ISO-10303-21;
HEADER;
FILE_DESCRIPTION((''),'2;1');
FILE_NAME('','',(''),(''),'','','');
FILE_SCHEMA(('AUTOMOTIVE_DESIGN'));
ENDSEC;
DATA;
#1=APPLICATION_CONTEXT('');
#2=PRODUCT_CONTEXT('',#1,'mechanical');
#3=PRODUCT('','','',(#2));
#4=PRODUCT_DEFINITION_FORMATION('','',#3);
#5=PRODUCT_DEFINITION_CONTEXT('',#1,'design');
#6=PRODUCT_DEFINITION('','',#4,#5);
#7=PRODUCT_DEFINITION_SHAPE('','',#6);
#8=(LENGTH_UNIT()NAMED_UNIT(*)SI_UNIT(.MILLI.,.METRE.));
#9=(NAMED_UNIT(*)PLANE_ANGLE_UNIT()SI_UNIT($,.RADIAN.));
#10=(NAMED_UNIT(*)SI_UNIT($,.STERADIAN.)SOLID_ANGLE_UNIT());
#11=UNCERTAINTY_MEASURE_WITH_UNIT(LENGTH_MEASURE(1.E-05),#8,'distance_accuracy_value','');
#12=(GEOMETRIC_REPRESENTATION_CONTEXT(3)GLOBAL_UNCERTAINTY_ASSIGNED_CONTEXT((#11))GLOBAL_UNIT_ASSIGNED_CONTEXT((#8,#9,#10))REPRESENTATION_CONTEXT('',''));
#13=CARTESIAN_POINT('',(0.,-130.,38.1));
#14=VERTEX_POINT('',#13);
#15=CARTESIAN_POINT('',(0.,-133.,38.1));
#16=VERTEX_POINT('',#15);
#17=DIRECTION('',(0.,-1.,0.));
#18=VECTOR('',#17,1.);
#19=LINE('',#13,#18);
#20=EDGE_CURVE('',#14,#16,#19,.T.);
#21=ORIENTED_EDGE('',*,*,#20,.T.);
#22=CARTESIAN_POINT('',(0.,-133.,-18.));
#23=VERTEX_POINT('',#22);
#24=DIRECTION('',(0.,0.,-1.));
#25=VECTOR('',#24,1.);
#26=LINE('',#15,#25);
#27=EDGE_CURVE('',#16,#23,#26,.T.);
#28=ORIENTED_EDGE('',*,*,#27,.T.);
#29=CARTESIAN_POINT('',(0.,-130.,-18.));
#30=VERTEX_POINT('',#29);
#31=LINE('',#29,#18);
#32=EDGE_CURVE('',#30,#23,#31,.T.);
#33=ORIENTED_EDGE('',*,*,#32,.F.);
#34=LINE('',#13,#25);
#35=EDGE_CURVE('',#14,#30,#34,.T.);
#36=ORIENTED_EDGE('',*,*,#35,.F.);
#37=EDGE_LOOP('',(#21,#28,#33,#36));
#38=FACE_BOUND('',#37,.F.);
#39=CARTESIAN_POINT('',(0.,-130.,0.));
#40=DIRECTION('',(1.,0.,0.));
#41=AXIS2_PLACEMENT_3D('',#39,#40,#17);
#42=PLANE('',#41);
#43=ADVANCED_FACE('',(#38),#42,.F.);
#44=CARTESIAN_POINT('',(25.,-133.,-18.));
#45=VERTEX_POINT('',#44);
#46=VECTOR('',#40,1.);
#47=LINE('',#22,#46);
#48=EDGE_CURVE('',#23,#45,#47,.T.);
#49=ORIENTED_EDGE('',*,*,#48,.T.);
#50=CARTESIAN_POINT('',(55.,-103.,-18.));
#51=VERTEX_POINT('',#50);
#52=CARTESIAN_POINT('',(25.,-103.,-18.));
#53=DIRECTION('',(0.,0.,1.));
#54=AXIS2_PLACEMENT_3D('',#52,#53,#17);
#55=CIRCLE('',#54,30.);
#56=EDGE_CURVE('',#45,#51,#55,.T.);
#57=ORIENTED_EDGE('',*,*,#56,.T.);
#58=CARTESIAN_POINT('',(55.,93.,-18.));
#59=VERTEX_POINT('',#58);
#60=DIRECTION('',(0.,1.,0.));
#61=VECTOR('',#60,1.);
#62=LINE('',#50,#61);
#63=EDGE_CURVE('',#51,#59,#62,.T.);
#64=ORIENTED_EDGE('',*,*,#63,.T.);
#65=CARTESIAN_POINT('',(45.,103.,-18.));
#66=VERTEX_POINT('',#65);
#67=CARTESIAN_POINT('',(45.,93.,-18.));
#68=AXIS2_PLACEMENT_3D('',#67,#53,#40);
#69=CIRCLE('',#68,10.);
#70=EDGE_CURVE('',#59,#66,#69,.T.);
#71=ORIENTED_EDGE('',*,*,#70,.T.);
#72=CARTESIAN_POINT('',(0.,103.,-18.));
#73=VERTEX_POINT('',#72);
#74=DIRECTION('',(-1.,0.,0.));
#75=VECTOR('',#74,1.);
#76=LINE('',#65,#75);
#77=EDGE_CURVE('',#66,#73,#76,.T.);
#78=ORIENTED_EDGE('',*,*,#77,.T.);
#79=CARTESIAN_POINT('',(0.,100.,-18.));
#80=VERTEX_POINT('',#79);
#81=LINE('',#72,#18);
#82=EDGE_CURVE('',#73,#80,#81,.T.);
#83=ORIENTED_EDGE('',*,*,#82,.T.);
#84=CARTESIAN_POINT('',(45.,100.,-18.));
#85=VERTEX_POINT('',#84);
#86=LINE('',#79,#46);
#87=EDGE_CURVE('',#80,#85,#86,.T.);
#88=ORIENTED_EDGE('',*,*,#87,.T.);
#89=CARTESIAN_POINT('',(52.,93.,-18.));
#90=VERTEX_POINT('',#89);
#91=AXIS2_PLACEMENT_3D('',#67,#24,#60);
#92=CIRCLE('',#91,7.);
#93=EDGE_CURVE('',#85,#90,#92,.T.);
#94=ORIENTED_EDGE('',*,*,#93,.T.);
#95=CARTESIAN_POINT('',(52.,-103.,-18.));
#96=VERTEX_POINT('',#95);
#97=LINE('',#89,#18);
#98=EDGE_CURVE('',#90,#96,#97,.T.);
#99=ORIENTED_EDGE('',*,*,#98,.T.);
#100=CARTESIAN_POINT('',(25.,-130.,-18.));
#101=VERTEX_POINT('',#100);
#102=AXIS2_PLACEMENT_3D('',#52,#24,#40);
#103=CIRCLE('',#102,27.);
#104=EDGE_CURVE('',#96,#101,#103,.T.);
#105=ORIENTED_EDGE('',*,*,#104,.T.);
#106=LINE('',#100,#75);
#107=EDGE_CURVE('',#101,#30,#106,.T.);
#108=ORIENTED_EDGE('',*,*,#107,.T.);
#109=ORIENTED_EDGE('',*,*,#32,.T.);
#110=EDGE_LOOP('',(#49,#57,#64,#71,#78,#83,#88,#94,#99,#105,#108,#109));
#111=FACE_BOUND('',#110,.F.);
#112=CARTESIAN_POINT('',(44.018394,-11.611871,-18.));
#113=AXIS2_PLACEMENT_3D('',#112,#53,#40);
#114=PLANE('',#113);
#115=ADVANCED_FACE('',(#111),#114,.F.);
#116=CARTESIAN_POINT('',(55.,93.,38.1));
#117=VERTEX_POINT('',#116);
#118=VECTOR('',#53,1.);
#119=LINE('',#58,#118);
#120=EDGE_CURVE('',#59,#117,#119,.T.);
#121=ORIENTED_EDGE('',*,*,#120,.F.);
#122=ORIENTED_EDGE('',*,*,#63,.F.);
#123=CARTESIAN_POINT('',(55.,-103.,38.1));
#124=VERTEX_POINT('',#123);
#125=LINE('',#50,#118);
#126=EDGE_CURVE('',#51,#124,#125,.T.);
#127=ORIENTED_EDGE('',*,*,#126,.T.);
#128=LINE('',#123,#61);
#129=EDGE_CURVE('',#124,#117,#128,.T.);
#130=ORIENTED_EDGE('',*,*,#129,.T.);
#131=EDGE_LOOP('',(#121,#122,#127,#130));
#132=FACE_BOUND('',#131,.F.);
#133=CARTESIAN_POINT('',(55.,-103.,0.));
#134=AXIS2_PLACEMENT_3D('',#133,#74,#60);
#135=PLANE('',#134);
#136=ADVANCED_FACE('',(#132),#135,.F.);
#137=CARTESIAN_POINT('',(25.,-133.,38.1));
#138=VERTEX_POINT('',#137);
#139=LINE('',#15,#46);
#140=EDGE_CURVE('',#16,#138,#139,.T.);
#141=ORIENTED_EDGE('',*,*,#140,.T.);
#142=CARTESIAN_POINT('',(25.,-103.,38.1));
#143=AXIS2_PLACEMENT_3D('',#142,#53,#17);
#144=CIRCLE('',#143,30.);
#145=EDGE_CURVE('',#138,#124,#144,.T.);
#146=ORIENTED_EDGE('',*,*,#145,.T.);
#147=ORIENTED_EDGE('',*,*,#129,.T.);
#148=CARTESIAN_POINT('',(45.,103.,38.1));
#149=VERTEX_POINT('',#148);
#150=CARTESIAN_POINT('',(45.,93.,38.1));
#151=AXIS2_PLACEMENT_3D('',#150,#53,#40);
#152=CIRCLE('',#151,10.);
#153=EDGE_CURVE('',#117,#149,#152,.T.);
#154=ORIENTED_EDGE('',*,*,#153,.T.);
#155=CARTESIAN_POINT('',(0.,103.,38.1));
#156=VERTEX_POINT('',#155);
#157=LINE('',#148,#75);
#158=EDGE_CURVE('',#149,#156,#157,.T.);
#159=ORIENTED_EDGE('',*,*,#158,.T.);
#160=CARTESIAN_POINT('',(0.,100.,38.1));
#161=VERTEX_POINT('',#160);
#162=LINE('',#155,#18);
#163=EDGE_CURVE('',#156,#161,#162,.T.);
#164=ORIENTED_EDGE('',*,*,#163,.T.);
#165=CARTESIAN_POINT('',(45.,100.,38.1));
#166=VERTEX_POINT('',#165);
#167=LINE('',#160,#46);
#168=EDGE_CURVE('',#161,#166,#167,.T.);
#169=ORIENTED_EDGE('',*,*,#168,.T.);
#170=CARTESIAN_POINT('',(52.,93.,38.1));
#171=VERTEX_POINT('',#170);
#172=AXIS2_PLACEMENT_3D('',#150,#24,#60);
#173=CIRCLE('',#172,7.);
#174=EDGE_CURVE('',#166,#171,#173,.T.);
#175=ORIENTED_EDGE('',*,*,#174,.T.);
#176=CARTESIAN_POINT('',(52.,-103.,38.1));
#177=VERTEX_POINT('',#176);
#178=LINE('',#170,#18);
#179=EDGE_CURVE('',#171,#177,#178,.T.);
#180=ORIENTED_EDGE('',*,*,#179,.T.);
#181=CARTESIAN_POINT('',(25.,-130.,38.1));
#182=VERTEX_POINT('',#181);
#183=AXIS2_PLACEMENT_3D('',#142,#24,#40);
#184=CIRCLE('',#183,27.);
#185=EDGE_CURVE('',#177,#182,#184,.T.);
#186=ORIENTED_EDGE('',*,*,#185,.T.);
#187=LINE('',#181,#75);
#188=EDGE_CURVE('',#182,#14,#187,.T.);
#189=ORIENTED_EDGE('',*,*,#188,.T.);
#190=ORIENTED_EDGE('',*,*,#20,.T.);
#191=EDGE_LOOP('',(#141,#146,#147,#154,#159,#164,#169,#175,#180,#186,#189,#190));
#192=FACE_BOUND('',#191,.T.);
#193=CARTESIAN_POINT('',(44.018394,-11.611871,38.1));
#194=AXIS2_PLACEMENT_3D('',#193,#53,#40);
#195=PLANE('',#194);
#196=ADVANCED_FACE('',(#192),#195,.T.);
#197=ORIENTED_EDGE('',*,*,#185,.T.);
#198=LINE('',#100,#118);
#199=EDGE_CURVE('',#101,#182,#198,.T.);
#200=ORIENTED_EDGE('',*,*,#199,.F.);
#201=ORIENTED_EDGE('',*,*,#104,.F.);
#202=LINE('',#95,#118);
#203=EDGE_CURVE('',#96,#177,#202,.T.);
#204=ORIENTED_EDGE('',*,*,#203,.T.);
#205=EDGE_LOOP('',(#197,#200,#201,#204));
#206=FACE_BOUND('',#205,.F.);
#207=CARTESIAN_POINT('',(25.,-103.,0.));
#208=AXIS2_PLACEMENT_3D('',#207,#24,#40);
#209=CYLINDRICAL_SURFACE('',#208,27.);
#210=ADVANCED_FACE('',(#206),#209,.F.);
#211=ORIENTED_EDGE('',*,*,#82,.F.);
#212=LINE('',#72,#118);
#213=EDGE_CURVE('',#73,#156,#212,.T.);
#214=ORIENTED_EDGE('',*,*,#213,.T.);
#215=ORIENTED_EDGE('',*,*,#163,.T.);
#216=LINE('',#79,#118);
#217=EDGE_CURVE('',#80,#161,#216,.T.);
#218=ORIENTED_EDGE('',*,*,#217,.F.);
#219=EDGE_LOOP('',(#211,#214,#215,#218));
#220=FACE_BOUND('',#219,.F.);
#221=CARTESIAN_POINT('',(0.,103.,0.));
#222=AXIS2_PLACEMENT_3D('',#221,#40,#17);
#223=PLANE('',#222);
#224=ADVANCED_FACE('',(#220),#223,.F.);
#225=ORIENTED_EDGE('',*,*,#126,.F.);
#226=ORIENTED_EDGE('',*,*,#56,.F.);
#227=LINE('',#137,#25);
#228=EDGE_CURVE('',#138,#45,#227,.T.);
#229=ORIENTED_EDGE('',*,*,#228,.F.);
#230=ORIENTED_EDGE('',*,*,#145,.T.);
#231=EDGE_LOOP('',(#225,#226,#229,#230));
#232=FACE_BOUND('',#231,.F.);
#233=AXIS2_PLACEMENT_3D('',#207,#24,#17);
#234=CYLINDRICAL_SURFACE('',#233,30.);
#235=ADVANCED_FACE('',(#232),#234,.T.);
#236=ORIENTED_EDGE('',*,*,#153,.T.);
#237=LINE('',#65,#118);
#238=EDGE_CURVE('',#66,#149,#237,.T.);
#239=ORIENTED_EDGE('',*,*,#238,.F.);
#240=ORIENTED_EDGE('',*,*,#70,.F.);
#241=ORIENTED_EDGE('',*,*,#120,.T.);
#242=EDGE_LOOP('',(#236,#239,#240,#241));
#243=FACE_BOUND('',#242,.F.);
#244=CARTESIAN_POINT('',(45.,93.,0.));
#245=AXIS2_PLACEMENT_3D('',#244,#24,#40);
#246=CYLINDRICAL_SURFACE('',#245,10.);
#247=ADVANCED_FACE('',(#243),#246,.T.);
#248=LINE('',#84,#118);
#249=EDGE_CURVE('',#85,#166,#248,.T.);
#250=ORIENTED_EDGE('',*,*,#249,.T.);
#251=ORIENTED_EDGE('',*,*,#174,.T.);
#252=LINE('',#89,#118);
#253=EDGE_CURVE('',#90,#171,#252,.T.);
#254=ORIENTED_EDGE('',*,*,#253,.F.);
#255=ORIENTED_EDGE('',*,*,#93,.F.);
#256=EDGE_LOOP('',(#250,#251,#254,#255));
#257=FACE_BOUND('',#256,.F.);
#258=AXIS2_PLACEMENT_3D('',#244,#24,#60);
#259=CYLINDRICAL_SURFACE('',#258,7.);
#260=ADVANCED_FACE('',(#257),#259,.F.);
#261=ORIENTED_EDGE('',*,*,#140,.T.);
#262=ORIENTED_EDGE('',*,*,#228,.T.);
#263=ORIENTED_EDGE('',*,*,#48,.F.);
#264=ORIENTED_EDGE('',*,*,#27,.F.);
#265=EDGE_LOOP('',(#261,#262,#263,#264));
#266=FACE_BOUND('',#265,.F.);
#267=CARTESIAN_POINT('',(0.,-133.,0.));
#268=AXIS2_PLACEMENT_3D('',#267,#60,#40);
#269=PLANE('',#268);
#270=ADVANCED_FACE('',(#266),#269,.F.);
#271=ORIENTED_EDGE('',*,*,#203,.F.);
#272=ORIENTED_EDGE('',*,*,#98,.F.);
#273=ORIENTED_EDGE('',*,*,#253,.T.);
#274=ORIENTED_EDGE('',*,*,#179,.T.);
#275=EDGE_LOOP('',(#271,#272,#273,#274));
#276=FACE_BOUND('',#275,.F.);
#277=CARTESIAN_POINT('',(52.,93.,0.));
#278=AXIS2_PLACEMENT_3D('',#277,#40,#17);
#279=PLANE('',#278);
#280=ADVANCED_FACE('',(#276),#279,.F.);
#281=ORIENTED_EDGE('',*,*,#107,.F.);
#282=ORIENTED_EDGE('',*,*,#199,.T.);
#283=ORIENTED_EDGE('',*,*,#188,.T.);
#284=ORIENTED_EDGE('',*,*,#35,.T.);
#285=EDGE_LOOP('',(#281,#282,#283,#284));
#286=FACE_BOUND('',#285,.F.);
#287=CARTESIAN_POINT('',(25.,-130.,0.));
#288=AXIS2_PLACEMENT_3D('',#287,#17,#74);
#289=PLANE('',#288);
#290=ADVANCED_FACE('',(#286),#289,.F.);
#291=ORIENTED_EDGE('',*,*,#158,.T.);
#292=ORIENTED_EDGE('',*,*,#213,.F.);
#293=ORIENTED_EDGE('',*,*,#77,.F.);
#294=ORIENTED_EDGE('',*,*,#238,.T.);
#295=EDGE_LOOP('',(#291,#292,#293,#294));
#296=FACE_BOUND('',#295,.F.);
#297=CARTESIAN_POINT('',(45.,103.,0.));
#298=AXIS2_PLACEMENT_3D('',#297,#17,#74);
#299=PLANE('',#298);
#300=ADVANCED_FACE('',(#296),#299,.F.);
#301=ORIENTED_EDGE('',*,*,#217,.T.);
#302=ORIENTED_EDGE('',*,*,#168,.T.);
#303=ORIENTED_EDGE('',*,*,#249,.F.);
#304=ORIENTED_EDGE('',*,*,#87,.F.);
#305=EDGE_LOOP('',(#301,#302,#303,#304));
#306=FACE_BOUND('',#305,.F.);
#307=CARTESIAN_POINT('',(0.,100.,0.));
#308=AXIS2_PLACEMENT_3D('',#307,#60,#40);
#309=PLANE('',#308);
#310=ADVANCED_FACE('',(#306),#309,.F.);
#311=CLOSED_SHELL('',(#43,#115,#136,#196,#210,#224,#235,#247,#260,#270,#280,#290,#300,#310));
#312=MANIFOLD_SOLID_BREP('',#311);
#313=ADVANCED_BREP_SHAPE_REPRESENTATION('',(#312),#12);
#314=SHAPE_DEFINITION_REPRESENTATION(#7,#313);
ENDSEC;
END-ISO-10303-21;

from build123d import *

# Parameters (mm, degrees)
F1_DEPTH      = 18
F1_DEPTH_BACK = 38.1


with BuildPart() as f1:
    # F0 (on Top) → F1 (new body, two sides)
    with BuildSketch(Plane.XY) as f1_sk:
        with BuildLine():
            ThreePointArc((25, -133), (46.2132034356, -124.2132034356), (55, -103))
            Line((55, -103), (55, 93))
            ThreePointArc((55, 93), (52.0710678119, 100.0710678119), (45, 103))
            Line((45, 103), (0, 103))
            Line((0, 103), (0, 100))
            Line((0, 100), (45, 100))
            ThreePointArc((45, 100), (49.9497474683, 97.9497474683), (52, 93))
            Line((52, 93), (52, -103))
            ThreePointArc((52, -103), (44.091883092, -122.091883092), (25, -130))
            Line((25, -130), (0, -130))
            Line((0, -130), (0, -133))
            Line((0, -133), (25, -133))
        make_face()
    extrude(amount=-F1_DEPTH)
    extrude(f1_sk.sketch, amount=F1_DEPTH_BACK)


solid = f1.part
